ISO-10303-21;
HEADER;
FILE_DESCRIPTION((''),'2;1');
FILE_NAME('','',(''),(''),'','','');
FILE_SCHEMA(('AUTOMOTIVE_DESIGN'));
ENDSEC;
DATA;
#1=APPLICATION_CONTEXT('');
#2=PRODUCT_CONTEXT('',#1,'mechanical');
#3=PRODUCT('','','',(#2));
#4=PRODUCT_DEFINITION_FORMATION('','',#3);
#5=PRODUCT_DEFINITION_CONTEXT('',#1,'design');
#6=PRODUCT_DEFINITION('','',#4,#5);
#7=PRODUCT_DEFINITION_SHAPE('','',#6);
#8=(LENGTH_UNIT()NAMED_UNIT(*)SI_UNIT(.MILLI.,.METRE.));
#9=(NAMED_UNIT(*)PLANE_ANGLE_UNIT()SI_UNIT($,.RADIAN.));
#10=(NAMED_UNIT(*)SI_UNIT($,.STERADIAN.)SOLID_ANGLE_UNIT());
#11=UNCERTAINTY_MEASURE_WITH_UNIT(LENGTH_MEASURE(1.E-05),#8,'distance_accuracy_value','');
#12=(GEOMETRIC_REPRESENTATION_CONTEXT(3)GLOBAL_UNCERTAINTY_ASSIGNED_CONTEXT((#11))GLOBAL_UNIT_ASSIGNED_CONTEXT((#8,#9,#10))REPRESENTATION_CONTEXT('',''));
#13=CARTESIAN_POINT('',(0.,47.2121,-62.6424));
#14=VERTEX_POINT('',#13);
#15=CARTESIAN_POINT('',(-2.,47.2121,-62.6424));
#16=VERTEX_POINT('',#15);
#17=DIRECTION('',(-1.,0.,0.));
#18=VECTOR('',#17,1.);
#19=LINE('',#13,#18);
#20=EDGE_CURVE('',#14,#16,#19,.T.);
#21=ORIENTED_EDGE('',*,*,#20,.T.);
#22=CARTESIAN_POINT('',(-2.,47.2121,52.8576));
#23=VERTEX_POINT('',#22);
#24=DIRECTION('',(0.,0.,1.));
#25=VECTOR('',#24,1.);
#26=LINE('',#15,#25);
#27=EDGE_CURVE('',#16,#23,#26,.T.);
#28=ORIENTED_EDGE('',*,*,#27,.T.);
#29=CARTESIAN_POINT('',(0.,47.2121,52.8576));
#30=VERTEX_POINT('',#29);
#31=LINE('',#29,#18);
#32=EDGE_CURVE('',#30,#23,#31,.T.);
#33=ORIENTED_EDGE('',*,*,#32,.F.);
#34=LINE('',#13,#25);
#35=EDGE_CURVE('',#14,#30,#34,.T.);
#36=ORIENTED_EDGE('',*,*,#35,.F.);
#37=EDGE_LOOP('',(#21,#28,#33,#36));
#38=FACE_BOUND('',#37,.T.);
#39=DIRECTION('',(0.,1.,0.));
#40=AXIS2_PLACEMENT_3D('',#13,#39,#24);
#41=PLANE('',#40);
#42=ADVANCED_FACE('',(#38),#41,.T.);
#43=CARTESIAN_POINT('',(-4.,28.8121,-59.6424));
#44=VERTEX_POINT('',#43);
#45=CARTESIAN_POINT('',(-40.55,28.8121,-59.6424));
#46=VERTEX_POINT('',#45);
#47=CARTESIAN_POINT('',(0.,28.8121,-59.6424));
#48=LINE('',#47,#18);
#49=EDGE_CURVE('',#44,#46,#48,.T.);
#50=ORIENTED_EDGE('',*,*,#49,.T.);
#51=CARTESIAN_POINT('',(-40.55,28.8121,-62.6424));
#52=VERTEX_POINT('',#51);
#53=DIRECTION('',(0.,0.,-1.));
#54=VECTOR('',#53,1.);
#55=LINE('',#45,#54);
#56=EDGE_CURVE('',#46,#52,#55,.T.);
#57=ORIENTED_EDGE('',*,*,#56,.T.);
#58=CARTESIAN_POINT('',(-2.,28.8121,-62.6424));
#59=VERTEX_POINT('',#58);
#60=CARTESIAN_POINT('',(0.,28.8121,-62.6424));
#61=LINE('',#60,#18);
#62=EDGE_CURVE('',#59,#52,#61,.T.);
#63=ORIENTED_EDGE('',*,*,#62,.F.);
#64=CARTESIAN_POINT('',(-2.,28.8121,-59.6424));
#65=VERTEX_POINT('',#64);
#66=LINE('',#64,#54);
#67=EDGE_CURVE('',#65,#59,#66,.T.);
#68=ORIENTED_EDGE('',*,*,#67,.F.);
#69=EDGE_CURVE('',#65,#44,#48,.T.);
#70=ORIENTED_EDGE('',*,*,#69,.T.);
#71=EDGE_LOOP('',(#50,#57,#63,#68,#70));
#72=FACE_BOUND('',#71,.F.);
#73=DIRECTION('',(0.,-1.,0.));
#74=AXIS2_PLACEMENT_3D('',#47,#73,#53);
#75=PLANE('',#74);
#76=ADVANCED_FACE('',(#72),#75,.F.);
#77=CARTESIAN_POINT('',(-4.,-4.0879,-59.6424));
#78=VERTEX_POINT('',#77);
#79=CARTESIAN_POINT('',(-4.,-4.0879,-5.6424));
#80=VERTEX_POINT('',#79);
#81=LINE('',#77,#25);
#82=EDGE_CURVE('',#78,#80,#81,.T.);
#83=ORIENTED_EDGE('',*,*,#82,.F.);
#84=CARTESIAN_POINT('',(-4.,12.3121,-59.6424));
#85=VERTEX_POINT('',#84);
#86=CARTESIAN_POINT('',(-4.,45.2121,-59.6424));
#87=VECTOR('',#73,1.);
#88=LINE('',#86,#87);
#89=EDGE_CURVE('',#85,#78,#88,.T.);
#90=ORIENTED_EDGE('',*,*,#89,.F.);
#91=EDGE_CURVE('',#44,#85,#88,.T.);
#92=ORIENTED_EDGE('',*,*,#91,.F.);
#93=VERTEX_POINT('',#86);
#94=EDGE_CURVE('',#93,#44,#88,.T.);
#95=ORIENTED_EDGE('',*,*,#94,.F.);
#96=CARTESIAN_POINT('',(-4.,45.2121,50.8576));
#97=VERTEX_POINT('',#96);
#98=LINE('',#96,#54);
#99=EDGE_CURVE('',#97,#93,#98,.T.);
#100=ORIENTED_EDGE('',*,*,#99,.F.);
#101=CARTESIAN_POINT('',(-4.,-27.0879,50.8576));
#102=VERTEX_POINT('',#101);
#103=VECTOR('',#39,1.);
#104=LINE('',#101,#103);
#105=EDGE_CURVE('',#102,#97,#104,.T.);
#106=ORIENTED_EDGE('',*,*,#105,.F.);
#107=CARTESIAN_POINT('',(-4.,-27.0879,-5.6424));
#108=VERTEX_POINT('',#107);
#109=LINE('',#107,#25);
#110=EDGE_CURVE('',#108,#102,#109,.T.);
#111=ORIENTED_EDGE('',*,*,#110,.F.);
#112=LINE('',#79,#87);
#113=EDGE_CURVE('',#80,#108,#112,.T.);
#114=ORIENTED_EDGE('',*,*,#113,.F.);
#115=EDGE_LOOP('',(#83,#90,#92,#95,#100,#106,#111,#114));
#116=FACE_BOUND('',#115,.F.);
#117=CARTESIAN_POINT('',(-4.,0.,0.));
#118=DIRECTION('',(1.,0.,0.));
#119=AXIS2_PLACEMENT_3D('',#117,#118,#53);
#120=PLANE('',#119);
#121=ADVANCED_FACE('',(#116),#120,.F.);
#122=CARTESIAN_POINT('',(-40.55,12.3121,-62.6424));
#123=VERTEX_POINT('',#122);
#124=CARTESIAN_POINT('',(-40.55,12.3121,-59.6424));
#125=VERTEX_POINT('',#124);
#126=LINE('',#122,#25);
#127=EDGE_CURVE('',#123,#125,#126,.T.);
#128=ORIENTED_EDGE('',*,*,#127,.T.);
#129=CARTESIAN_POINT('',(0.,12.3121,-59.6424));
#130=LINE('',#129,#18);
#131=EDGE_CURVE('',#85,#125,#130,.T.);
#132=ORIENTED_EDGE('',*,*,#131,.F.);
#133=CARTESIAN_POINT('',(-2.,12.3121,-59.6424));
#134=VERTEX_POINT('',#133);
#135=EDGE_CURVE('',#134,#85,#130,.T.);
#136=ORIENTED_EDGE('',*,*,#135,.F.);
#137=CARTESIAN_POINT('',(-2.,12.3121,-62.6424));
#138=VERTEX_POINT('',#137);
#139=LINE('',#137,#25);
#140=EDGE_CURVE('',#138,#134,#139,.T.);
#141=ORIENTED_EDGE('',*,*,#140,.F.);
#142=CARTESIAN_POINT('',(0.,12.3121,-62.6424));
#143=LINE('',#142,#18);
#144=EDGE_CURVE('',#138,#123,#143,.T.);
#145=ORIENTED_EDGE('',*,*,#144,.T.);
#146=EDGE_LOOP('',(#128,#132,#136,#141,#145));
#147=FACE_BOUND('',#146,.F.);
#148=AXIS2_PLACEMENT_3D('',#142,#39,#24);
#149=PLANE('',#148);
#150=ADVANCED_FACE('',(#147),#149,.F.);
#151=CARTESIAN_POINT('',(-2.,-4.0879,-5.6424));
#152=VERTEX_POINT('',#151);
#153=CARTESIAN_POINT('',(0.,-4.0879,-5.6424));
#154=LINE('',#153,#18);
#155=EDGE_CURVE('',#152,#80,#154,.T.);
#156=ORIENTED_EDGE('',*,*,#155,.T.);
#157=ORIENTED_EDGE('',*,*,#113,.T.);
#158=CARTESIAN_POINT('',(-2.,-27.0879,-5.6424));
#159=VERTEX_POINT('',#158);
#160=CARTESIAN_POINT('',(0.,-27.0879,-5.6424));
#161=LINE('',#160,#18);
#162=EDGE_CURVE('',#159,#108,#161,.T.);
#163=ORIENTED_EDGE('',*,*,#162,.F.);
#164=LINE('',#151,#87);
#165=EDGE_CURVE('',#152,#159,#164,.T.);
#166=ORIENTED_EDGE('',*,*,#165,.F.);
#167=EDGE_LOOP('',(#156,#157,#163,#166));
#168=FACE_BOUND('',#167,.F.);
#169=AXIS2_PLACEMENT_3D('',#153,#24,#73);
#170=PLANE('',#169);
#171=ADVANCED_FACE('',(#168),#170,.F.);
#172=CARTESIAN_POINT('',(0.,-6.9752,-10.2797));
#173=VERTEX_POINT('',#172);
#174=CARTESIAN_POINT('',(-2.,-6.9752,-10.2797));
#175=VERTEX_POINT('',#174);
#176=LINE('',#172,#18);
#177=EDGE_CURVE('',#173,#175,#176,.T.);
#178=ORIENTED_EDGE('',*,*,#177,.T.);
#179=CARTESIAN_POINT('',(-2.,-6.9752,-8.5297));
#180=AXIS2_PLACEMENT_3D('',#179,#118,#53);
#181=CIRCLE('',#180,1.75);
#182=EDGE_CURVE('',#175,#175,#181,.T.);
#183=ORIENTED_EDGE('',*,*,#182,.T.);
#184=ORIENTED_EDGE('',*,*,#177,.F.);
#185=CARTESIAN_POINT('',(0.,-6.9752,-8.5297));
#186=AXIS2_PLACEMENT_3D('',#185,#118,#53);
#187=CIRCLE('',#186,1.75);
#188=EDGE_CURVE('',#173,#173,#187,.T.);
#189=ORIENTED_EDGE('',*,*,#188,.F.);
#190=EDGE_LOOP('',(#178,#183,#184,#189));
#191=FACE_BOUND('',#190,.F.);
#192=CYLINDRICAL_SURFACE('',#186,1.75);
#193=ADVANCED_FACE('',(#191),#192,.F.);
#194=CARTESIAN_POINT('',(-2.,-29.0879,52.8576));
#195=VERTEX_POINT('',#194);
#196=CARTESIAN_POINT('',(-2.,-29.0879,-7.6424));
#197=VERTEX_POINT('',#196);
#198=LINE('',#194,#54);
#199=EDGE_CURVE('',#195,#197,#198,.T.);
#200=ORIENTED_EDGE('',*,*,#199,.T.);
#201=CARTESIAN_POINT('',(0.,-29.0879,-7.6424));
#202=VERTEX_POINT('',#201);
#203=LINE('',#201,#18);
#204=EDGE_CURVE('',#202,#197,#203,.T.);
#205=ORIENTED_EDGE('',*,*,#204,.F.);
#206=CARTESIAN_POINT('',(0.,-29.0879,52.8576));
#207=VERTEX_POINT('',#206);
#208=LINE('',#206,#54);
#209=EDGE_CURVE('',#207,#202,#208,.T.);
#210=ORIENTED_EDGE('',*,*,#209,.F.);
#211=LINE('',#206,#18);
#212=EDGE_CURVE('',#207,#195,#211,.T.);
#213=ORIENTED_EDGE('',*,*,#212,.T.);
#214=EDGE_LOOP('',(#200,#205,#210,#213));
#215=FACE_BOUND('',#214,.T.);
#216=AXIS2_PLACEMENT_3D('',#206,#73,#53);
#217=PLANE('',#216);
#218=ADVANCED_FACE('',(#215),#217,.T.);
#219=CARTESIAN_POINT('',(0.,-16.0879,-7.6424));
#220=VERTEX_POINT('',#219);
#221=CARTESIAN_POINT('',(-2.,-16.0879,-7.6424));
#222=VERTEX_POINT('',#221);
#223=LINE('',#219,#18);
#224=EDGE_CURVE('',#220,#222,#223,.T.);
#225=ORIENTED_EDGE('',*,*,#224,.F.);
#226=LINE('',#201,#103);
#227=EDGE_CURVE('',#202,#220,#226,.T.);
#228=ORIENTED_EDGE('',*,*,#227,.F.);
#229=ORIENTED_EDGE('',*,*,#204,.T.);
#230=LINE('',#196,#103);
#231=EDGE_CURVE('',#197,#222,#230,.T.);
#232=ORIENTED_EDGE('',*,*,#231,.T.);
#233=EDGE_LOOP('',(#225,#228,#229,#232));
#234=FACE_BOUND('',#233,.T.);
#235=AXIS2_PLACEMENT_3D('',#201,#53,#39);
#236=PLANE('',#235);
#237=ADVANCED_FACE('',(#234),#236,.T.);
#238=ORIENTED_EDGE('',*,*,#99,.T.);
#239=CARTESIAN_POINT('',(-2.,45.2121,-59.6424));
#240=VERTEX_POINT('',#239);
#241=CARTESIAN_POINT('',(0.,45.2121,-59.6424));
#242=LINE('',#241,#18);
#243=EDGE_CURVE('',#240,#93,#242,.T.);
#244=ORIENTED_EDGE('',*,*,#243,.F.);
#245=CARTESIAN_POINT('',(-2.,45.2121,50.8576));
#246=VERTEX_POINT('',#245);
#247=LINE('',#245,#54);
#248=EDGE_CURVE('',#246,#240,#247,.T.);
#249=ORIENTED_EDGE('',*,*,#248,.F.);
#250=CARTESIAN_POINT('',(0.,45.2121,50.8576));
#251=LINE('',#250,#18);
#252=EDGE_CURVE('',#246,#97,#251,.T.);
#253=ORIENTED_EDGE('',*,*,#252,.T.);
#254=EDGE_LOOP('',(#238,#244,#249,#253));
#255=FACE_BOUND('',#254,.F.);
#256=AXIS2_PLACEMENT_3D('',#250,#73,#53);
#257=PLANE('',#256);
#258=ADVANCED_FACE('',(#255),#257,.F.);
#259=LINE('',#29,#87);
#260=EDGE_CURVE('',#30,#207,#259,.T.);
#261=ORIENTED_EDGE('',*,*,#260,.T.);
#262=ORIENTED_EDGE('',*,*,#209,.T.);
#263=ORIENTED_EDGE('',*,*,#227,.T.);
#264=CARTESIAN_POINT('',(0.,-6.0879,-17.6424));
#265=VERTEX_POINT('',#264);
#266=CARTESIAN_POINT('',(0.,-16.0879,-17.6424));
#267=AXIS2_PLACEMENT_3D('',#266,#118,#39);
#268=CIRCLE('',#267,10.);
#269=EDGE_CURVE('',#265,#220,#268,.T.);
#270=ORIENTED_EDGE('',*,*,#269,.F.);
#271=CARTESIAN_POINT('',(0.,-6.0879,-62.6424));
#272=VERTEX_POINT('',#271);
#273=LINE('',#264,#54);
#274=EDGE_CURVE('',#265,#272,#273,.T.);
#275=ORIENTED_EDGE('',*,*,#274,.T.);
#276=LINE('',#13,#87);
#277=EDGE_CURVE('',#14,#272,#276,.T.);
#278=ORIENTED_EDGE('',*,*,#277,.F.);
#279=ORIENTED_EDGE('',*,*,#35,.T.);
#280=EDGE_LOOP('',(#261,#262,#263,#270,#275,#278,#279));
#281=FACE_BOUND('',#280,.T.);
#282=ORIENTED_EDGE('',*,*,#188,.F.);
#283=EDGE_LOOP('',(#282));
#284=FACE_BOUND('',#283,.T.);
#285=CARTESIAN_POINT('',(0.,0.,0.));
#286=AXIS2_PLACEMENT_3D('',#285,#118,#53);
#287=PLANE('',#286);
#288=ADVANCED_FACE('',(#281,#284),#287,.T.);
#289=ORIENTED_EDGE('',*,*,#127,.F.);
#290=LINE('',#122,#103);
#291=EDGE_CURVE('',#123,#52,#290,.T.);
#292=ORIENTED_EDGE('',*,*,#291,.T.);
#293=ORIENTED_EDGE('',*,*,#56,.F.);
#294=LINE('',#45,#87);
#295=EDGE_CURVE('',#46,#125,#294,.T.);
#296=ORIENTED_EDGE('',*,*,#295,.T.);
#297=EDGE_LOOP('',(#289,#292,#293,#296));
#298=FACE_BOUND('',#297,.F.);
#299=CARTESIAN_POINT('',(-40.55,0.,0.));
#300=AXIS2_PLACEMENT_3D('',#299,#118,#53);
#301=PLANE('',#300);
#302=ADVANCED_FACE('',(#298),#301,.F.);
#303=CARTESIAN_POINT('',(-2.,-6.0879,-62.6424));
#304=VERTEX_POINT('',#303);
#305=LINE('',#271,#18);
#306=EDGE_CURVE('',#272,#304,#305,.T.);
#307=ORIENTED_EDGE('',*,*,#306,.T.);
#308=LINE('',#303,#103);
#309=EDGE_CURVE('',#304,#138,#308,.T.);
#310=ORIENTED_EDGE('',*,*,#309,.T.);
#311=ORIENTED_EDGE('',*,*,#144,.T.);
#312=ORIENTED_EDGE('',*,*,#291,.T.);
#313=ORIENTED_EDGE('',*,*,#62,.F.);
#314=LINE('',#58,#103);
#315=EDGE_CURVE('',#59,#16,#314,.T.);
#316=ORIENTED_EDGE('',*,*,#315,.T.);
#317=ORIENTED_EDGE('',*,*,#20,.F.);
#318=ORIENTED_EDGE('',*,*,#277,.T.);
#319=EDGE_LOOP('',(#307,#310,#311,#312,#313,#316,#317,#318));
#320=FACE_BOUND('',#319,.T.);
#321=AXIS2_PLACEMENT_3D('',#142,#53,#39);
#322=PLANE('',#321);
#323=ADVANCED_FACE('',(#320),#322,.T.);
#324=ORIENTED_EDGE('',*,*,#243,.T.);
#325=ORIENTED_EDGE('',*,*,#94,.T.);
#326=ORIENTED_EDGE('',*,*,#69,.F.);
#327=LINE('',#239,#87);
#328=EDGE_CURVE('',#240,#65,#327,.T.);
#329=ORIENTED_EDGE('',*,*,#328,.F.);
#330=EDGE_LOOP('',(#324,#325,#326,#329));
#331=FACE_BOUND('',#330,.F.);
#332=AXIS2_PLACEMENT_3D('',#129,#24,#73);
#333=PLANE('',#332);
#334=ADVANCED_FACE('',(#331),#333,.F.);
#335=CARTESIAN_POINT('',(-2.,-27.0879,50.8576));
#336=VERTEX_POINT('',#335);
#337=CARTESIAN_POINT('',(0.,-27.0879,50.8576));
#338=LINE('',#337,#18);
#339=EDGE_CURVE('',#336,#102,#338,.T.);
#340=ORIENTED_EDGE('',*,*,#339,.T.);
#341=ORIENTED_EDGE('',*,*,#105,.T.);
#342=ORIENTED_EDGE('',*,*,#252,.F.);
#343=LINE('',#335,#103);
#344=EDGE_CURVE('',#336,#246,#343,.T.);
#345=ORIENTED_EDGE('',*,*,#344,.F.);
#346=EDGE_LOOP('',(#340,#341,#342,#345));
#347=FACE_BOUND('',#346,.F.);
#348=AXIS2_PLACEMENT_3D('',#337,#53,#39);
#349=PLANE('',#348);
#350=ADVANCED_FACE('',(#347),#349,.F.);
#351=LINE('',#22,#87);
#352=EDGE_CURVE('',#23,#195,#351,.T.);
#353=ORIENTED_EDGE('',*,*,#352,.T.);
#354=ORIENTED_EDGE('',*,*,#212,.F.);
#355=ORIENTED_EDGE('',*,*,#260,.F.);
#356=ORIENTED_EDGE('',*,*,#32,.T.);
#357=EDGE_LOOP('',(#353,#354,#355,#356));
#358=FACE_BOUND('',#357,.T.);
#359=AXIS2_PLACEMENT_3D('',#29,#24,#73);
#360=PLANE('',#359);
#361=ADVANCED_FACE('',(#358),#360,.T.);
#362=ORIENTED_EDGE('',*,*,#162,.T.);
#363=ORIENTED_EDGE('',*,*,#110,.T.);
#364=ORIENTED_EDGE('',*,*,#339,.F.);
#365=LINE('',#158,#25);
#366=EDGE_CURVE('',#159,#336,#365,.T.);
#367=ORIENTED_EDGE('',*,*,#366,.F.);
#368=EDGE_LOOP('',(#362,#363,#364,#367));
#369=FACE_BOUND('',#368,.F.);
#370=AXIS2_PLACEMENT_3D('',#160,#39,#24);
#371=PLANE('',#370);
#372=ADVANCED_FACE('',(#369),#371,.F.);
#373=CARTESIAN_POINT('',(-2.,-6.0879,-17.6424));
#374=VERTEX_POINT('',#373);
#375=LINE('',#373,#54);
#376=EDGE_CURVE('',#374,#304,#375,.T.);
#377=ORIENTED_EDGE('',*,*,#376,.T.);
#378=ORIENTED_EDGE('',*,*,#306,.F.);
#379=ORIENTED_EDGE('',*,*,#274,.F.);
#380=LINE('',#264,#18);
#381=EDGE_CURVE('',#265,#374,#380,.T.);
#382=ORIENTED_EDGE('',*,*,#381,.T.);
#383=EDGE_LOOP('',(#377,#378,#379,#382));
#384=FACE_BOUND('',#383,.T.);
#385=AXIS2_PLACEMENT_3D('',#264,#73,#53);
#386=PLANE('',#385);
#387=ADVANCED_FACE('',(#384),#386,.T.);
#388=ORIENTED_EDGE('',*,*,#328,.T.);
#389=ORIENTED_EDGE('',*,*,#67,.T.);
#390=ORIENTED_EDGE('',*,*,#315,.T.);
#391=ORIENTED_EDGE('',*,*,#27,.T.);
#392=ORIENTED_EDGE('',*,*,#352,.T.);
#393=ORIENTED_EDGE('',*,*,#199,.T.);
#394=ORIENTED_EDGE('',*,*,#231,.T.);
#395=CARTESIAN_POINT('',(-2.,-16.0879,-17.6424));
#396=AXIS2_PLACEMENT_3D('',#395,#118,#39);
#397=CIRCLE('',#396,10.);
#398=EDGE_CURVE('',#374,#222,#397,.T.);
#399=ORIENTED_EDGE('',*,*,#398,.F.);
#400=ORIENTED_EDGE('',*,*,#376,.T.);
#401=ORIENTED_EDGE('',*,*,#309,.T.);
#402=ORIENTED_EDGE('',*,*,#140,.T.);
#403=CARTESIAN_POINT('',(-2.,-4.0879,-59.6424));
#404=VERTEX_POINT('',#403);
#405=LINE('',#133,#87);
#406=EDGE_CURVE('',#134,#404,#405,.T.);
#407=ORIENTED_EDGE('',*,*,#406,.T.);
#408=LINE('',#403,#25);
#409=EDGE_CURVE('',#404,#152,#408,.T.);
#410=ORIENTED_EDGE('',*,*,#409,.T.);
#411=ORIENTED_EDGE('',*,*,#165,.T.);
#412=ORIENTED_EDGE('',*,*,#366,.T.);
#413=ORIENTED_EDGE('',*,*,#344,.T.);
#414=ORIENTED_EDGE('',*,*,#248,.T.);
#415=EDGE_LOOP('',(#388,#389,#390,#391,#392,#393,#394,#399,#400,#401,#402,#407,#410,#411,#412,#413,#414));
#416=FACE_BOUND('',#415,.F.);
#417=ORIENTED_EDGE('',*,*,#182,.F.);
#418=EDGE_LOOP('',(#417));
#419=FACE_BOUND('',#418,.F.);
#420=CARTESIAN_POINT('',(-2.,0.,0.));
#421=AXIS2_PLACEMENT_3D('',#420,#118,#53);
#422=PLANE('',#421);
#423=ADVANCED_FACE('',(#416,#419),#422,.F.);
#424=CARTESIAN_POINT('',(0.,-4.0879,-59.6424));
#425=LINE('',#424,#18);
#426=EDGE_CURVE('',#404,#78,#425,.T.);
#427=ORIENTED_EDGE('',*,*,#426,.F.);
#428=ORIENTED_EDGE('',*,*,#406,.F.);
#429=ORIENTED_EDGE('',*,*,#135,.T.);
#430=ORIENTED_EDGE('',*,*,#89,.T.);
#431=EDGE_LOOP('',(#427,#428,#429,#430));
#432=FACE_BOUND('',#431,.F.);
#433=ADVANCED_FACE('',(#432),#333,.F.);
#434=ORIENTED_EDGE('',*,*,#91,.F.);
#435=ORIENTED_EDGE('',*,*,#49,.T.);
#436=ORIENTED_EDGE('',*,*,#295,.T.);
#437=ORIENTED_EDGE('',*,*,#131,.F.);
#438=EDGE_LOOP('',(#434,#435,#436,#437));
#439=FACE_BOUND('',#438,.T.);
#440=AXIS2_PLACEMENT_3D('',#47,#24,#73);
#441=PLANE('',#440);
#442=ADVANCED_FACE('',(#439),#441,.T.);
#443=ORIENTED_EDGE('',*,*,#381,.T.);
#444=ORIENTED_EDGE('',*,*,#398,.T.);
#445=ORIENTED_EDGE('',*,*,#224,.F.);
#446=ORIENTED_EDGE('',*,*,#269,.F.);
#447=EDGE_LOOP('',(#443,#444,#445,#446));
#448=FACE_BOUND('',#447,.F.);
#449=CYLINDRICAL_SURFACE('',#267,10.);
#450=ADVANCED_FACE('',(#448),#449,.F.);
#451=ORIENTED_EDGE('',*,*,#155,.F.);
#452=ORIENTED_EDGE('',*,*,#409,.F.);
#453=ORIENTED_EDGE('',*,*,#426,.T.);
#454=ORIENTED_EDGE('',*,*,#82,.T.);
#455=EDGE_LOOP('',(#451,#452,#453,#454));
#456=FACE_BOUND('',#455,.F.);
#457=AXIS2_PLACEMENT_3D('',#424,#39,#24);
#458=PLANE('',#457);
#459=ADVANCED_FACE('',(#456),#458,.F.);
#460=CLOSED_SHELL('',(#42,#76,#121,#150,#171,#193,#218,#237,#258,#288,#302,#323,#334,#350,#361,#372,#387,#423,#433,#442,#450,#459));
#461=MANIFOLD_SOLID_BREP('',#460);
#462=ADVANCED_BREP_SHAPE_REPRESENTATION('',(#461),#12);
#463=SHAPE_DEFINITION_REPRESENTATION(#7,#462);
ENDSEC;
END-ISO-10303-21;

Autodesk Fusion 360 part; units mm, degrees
sketch "Sketch1" plane through (0, 0, 0) normal (1, 0, 0) x (0, 0, -1)
  line L0 (-50.8576, -27.0879) -> (-50.8576, 45.2121)
  line L1 (62.6424, 47.2121) -> (-52.8576, 47.2121)
  line L2 (59.6424, 28.8121) -> (62.6424, 28.8121)
  line L3 (62.6424, 28.8121) -> (62.6424, 47.2121)
  line L4 (59.6424, 12.3121) -> (59.6424, -4.0879)
  line L5 (59.6424, 45.2121) -> (59.6424, 28.8121)
  line L6 (-50.8576, 45.2121) -> (59.6424, 45.2121)
  line L7 (17.6424, -6.0879) -> (62.6424, -6.0879)
  line L8 (59.6424, -4.0879) -> (5.6424, -4.0879)
  line L9 (62.6424, 12.3121) -> (59.6424, 12.3121)
  line L10 (-52.8576, 47.2121) -> (-52.8576, -29.0879)
  line L11 (-52.8576, -29.0879) -> (7.6424, -29.0879)
  line L12 (5.6424, -27.0879) -> (-50.8576, -27.0879)
  line L13 (5.6424, -4.0879) -> (5.6424, -27.0879)
  line L14 (7.6424, -29.0879) -> (7.6424, -16.0879)
  line L15 (62.6424, -6.0879) -> (62.6424, 12.3121)
  line L16 (59.6424, 28.8121) -> (59.6424, 12.3121)
  line L17 (62.6424, 12.3121) -> (62.6424, 28.8121)
  arc A0 (17.6424, -6.0879) -> (7.6424, -16.0879) centre (17.6424, -16.0879) ccw
  point P0 (62.6424, -13.1879)
  dimension "d9" = 10
extrude "Extrude1" add sketch "Sketch1" against normal blind 4 contours L0 L4 L5 L6 L8 L12 L13 L16
extrude "Extrude2" add sketch "Sketch1" against normal blind 2 contours L0 L1 L2 L3 L4 L5 L6 L7 L8 L9 L10 L11 L12 L13 L14 L15 A0
extrude "Extrude3" add sketch "Sketch1" against normal blind 40.55 contours L2 L9 L16 L17
sketch "Sketch3" plane through (0, 0, 0) normal (1, 0, 0) x (0, 0, -1)
  line L0 (62.6424, -6.0879) -> (62.6424, 47.2121)
  line L1 (62.6424, 47.2121) -> (-52.8576, 47.2121)
  line L2 (-52.8576, 47.2121) -> (-52.8576, -29.0879)
  line L3 (-52.8576, -29.0879) -> (7.6424, -29.0879)
  line L4 (7.6424, -29.0879) -> (7.6424, -16.0879)
  arc A0 (17.6424, -6.0879) -> (7.6424, -16.0879) centre (17.6424, -16.0879) ccw
  line L5 (17.6424, -6.0879) -> (62.6424, -6.0879)
  circle A1 centre (8.5297, -6.9752) radius 1.75
  line L6 (5.6424, -4.0879) -> (5.6424, -27.0879) construction
  line L7 (59.6424, -4.0879) -> (5.6424, -4.0879) construction
  line L8 (8.5297, -5.2252) -> (8.5297, -4.0879) construction
  line L9 (6.7797, -6.9752) -> (5.6424, -6.9752) construction
  line L10 (9.7672, -8.2126) -> (10.5714, -9.0168) construction
  point P0 (5.6424, -4.0879)
  dimension "d10" = 3.5
extrude "Extrude4" cut sketch "Sketch3" against normal blind 2 contours A1
